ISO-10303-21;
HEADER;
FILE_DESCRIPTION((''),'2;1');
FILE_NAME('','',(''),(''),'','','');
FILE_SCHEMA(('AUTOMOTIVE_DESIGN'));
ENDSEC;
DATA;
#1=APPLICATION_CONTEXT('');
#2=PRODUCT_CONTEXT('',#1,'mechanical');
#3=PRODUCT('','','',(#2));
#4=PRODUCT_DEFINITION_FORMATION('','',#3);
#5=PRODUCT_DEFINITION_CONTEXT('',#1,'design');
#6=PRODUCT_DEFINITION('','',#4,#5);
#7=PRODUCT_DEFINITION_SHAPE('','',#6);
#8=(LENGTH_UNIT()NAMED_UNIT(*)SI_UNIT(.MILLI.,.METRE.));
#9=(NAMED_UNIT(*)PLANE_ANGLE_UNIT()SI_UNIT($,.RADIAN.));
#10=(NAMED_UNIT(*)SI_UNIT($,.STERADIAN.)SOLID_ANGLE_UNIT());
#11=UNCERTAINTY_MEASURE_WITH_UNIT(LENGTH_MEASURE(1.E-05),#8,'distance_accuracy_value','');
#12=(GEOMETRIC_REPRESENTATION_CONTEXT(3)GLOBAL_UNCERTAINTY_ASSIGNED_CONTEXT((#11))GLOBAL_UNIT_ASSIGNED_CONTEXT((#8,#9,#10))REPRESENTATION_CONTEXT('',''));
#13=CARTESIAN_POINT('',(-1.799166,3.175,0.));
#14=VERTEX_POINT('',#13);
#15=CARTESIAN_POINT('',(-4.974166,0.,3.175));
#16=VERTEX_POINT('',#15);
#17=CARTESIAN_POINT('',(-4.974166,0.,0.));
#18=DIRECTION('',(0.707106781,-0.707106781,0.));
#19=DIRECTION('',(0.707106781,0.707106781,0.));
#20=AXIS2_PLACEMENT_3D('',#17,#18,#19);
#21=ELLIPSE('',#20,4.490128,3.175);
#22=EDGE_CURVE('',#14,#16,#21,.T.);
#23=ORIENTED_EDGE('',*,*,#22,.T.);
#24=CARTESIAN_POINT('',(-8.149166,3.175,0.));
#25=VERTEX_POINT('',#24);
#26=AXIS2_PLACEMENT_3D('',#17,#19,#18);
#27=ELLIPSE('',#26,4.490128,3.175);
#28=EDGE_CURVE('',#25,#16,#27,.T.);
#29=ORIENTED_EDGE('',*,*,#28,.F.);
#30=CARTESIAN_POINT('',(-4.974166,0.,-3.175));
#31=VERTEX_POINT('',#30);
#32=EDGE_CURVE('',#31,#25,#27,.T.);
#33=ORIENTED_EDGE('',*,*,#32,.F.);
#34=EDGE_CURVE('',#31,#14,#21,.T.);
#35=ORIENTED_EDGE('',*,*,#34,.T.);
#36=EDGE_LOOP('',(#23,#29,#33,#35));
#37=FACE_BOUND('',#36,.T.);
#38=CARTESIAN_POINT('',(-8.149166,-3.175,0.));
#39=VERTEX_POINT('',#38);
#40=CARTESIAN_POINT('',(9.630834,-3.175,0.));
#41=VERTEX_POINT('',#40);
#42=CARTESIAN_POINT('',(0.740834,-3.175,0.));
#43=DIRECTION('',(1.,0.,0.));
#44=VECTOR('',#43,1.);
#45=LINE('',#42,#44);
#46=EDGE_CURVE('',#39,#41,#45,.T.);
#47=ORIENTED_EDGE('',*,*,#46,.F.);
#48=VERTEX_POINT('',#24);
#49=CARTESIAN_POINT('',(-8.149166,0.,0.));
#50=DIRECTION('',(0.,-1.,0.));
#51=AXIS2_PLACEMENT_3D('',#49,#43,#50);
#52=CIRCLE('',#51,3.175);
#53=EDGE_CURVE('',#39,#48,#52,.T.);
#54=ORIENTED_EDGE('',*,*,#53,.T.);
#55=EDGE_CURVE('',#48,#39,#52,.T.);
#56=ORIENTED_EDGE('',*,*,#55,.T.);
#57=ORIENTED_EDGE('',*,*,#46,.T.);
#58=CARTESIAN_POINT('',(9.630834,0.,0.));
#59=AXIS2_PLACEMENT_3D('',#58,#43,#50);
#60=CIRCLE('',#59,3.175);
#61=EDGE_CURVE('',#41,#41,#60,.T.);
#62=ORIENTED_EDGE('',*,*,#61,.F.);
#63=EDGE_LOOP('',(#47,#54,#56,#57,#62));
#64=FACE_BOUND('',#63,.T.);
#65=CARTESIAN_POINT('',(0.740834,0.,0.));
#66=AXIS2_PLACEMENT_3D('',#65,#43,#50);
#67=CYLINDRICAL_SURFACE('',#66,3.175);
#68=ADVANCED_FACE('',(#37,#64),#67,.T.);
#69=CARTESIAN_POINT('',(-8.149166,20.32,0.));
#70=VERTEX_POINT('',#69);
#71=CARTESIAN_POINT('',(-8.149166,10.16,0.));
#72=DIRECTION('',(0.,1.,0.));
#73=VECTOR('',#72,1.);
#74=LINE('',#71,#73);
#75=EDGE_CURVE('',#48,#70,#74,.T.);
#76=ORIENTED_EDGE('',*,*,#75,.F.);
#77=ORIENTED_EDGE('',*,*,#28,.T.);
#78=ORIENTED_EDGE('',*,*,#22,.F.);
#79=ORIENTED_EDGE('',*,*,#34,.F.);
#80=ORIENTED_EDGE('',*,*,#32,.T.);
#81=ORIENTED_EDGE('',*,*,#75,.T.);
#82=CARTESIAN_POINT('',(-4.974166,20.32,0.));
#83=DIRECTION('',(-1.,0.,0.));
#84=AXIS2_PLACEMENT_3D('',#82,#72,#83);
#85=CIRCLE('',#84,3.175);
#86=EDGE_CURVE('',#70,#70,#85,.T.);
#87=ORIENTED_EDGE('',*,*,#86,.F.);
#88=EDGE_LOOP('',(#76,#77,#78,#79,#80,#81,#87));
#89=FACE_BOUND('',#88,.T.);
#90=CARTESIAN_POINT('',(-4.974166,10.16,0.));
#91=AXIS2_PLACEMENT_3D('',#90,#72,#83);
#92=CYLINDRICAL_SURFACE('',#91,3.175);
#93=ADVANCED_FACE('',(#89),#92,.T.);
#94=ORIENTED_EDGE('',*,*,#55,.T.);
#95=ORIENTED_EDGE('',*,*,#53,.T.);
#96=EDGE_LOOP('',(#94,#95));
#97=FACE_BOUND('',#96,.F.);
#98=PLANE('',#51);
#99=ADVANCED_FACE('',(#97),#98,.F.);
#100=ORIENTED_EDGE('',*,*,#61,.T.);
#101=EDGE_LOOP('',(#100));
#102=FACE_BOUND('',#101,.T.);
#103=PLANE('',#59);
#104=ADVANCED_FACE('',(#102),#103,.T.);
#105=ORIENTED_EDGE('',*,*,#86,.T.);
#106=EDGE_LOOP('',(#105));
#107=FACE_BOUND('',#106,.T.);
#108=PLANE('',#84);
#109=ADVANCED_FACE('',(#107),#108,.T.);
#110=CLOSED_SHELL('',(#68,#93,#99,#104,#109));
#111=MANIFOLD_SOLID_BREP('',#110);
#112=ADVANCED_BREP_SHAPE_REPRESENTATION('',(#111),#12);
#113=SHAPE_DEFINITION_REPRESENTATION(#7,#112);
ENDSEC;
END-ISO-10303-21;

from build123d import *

# Parameters (mm, degrees)
F0_W = 17.78
F0_H = 3.175
F1_W = 3.175
F1_H = 20.32


with BuildPart() as f2:
    # F0 (on Top) → F2 (revolve)
    with BuildSketch(Plane.XY):
        with Locations((0.740834, -1.5875)):
            Rectangle(F0_W, F0_H)
    revolve(axis=Axis((0.740834, 0, 0), (1, 0, 0)))

    # F1 (on Top) → F3 (revolve)
    with BuildSketch(Plane.XY):
        with Locations((-6.561666, 10.16)):
            Rectangle(F1_W, F1_H)
    revolve(axis=Axis((-4.974166, 10.16, 0), (0, 1, 0)))


solid = f2.part
